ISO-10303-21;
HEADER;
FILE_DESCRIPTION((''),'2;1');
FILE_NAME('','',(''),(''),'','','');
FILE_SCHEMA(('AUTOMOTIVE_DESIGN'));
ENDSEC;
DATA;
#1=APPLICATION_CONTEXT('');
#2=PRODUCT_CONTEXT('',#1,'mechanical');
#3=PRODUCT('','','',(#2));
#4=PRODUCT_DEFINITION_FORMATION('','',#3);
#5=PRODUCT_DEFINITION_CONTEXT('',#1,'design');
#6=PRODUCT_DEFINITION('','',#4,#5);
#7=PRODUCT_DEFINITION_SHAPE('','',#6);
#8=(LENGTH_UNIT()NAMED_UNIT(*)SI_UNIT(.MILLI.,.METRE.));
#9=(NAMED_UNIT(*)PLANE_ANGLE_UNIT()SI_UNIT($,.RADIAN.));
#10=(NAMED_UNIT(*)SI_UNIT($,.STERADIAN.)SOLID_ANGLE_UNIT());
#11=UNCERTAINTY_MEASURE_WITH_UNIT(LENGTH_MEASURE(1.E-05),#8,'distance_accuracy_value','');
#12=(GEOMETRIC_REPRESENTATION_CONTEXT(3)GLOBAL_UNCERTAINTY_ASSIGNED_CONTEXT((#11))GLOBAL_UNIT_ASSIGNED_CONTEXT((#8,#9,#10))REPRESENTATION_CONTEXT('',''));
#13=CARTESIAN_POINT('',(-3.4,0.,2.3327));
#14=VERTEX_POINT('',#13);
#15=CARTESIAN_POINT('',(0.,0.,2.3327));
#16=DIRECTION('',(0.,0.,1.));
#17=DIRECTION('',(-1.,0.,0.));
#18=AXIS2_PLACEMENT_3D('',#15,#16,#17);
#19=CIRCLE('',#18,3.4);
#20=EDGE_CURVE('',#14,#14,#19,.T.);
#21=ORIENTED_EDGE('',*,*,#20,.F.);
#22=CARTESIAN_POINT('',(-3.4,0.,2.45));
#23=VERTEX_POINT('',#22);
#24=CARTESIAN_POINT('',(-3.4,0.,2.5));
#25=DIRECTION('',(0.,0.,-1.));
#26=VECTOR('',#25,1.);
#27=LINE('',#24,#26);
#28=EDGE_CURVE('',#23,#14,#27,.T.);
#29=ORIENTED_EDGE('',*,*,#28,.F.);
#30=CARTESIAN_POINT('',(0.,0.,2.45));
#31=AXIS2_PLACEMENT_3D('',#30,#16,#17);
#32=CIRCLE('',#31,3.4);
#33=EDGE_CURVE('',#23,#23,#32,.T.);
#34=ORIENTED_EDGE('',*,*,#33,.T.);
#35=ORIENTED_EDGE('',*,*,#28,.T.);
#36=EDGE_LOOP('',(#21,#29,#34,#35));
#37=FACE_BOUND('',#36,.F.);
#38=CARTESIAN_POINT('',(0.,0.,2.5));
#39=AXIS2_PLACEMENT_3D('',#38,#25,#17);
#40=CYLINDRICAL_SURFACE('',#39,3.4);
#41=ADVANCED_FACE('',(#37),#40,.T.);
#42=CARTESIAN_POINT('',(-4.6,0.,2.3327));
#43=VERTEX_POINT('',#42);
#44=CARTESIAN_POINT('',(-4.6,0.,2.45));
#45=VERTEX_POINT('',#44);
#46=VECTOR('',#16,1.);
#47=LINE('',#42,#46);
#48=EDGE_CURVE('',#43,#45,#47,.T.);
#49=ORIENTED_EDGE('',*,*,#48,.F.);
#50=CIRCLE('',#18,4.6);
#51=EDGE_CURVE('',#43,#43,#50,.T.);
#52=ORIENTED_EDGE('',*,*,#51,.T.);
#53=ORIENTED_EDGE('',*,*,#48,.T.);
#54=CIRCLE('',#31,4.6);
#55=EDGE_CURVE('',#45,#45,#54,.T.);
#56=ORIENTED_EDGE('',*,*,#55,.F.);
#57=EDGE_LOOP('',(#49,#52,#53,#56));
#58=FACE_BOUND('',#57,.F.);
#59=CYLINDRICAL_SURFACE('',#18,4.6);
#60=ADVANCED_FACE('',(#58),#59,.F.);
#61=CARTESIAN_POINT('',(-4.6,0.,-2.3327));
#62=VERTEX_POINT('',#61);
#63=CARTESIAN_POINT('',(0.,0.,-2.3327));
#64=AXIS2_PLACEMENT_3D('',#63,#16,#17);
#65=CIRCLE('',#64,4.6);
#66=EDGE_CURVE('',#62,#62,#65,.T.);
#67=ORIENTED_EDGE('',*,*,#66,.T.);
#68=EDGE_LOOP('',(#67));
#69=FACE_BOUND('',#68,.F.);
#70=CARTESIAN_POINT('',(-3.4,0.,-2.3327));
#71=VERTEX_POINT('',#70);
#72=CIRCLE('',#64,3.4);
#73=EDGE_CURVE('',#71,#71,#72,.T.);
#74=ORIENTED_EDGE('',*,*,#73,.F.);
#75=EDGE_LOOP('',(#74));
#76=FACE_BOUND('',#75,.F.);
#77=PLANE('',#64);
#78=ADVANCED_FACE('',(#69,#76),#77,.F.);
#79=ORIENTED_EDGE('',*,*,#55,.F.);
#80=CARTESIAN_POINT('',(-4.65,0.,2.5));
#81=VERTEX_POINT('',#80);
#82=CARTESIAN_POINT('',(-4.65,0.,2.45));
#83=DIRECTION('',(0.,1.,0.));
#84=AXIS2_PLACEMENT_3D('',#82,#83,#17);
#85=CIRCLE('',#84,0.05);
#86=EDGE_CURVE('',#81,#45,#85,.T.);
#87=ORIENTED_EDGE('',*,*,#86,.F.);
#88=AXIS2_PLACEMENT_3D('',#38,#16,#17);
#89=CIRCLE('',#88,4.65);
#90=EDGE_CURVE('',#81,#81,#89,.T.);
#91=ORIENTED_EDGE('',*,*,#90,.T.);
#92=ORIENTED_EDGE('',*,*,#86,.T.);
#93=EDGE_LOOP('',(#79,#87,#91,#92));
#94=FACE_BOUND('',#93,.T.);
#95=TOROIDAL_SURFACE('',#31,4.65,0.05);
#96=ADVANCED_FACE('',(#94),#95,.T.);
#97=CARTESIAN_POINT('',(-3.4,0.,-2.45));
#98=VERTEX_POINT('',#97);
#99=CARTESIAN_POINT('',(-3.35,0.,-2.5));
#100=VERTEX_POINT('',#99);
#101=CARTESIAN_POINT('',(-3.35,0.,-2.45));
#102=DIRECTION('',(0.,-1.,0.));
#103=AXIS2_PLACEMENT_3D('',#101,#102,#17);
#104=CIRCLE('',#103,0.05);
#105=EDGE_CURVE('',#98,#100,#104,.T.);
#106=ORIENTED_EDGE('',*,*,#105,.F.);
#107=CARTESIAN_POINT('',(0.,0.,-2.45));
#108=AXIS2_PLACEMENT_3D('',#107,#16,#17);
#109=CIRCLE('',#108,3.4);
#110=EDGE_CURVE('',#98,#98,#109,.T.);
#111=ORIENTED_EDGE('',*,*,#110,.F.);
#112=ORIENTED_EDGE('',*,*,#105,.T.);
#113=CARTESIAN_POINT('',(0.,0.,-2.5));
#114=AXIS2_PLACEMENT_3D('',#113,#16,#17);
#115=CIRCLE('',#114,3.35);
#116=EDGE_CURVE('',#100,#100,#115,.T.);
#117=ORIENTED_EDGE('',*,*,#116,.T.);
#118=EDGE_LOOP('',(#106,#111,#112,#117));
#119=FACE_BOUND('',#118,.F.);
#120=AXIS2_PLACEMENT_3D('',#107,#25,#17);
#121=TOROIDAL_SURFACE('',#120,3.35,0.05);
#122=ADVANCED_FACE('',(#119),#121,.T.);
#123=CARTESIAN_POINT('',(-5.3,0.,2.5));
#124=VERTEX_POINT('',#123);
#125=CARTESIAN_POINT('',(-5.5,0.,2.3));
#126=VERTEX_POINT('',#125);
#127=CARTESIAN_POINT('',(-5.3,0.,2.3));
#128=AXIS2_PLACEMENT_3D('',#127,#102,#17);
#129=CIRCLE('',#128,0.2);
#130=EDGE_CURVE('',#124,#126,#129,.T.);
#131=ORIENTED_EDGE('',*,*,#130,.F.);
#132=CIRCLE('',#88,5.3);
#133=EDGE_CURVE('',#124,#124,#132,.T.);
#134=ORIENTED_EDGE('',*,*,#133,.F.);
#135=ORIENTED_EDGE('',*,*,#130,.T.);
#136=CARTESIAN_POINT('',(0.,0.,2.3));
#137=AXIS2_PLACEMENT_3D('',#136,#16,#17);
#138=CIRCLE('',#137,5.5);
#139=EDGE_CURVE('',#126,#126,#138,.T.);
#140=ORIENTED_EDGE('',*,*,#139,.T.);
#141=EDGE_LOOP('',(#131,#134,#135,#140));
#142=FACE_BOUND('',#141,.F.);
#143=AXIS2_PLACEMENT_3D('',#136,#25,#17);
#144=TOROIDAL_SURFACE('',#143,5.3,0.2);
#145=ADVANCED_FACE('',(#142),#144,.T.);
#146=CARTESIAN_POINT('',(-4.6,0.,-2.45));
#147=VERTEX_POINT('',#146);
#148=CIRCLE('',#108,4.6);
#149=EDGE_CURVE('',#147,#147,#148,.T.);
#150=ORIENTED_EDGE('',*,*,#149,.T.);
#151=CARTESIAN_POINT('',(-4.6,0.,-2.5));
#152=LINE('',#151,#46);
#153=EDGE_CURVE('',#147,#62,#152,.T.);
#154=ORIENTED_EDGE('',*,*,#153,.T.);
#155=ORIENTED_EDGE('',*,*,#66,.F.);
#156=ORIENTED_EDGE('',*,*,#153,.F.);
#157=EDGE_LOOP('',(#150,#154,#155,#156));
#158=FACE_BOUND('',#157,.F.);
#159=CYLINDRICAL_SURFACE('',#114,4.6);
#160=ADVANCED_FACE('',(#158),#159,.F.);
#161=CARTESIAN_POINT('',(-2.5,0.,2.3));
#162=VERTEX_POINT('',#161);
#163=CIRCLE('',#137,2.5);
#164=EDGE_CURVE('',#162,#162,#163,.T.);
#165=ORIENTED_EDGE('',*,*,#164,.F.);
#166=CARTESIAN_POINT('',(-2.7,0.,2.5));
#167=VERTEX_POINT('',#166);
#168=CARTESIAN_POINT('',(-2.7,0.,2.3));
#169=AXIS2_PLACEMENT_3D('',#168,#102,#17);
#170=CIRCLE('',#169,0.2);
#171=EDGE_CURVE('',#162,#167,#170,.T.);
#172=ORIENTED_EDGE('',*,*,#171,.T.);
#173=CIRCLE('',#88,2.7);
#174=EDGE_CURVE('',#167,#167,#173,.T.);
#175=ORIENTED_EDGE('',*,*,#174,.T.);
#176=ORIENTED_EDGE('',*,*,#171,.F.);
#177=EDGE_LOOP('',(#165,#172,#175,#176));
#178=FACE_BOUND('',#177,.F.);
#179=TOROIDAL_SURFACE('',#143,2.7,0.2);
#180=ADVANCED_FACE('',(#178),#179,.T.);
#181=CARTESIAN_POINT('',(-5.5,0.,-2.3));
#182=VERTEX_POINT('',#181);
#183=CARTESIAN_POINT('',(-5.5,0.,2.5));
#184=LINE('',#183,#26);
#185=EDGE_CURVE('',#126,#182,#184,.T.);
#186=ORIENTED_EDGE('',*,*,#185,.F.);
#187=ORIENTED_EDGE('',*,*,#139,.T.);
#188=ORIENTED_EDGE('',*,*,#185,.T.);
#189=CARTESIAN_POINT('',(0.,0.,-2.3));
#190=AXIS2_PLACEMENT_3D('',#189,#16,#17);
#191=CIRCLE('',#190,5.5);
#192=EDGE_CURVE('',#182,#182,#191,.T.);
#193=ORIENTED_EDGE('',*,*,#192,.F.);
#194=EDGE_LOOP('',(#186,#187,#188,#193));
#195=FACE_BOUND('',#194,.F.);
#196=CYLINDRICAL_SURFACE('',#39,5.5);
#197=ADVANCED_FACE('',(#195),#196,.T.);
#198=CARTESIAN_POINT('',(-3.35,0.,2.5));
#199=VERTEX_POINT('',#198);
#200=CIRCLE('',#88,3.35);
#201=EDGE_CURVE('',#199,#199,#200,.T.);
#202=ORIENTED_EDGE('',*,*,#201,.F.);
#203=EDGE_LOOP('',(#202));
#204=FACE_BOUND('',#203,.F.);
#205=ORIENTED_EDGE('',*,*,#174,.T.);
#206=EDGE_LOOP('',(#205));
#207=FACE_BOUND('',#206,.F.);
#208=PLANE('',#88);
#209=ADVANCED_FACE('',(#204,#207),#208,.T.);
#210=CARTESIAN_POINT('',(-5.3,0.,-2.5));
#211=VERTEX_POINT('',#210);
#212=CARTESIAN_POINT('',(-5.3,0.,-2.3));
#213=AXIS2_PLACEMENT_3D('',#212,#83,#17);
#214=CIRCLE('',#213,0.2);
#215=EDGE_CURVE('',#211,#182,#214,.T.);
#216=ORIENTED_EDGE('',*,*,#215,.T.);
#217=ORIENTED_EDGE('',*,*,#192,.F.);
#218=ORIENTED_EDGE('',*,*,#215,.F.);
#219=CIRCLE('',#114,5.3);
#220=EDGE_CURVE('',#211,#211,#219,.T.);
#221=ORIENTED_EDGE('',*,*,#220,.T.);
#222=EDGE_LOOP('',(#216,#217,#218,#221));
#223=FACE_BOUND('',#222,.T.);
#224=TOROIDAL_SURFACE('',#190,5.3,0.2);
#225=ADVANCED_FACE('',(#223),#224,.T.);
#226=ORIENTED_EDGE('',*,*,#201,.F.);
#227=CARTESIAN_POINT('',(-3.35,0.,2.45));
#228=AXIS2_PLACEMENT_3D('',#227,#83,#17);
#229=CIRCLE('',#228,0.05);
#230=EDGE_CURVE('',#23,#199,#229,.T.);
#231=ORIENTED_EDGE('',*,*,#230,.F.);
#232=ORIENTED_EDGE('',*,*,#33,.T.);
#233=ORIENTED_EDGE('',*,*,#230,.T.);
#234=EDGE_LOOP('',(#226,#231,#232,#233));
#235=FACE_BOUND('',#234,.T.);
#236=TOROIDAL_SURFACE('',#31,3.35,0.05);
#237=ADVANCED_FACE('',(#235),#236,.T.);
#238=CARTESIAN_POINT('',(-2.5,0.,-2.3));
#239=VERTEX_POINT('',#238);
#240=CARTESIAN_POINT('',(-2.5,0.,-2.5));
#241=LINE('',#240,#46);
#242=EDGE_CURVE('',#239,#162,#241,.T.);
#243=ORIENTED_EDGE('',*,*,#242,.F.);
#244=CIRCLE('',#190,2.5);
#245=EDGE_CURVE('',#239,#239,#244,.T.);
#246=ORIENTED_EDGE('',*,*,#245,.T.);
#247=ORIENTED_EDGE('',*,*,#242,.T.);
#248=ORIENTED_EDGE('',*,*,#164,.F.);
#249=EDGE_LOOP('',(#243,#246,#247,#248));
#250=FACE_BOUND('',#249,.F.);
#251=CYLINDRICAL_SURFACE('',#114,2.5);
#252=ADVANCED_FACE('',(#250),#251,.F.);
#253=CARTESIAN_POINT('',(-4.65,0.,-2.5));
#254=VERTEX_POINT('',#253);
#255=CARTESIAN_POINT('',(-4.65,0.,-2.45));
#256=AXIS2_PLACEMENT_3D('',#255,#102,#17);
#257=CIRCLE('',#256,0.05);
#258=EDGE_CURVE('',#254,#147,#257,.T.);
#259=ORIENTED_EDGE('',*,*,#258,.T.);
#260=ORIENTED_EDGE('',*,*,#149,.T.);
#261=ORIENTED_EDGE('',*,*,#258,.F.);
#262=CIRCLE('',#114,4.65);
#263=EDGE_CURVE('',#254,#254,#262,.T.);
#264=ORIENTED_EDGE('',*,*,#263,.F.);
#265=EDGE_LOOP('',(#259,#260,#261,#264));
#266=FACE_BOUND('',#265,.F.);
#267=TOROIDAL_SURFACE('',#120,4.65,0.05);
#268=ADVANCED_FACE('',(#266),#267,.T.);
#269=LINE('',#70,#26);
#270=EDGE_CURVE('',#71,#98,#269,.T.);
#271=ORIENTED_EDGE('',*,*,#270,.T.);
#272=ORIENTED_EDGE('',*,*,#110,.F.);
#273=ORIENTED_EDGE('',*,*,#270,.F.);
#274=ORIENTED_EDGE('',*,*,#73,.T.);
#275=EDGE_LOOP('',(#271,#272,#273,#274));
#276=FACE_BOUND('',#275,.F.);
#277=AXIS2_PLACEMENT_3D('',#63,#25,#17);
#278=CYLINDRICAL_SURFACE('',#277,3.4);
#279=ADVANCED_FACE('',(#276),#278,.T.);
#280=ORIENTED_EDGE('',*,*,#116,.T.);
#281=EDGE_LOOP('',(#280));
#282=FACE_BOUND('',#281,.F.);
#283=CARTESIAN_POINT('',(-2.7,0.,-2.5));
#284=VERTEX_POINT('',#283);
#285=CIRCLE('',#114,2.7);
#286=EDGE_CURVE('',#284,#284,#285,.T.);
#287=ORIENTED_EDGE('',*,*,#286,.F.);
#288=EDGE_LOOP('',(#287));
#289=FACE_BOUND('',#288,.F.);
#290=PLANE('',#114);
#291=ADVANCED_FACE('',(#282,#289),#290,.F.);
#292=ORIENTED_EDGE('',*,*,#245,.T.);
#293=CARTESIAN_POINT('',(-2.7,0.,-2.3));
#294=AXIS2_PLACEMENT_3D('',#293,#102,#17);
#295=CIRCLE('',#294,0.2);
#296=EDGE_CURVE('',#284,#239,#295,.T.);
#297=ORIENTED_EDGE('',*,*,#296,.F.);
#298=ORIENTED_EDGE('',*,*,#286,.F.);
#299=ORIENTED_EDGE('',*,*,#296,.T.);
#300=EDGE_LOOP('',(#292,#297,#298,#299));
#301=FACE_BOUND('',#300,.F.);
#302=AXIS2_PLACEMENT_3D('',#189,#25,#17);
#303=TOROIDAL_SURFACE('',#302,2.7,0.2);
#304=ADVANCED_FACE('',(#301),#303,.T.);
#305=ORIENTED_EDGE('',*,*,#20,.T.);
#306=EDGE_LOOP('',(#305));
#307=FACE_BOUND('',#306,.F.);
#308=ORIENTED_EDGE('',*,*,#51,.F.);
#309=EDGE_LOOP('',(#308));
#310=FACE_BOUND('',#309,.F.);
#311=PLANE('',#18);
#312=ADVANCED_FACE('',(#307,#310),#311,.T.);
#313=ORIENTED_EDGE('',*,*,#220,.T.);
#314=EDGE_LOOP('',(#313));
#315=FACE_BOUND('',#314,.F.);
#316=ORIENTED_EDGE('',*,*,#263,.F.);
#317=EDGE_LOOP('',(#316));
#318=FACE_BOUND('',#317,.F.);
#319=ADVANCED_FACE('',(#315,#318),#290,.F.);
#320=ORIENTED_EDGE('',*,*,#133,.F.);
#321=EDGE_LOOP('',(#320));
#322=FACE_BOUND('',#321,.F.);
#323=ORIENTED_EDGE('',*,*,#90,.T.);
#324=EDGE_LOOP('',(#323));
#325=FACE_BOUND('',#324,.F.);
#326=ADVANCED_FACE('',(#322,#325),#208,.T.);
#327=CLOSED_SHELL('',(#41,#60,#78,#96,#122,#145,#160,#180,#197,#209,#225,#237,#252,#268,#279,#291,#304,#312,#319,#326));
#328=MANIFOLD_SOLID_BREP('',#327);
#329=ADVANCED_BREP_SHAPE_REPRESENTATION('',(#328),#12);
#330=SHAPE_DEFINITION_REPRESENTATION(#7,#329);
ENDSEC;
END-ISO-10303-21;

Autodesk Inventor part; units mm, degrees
ref_plane "YZ Plane" through (0, 0, 0) normal (1, 0, 0) x (0, 1, 0)
ref_plane "XZ Plane" through (0, 0, 0) normal (0, 1, 0) x (-1, 0, 0)
ref_plane "XY Plane" through (0, 0, 0) normal (0, 0, 1) x (1, 0, 0)
sketch "Sketch1" plane through (0, 0, 0) normal (0, 1, 0) x (-1, 0, 0)
  line L0 (0, -1.9986) -> (0, 1.9986)
  line L1 (5.5, -2.5) -> (4.6, -2.5)
  line L2 (4.6, 2.5) -> (5.5, 2.5)
  line L3 (5.5, 2.5) -> (5.5, -2.5)
  line L4 (4.6, -2.3327) -> (3.4, -2.3327)
  line L5 (3.4, 2.3327) -> (4.6, 2.3327)
  line L6 (3.4, -2.5) -> (2.5, -2.5)
  line L7 (2.5, -2.5) -> (2.5, 2.5)
  line L8 (2.5, 2.5) -> (3.4, 2.5)
  line L9 (3.4, 2.5) -> (3.4, 2.3327)
  line L10 (3.4, -2.3327) -> (3.4, -2.5)
  line L11 (4.6, -2.5) -> (4.6, -2.3327)
  line L12 (4.6, 2.3327) -> (4.6, 2.5)
  point P0 (0, 0)
  point P1 (0, 0)
  point P2 (2.5, 0)
  dimension "d0" = 5
  dimension "d1" = 11
  dimension "d2" = 5
  dimension "d4" = 1.2
  dimension "d9" = 0.1673
revolve "Revolution1" add sketch "Sketch1" angle 360 about axis through (0, 0, -1.9986) along (0, 0, 1)
fillet "Fillet1" radius 0.2 4 edges at (5.5, 0, 2.5) (2.5, 0, 2.5) (5.5, 0, -2.5) (2.5, 0, -2.5)
fillet "Fillet2" radius 0.05 4 edges at (4.6, 0, 2.5) (3.4, 0, 2.5) (3.4, 0, -2.5) (4.6, 0, -2.5)
properties part number "685zz" material "Stainless Steel"
